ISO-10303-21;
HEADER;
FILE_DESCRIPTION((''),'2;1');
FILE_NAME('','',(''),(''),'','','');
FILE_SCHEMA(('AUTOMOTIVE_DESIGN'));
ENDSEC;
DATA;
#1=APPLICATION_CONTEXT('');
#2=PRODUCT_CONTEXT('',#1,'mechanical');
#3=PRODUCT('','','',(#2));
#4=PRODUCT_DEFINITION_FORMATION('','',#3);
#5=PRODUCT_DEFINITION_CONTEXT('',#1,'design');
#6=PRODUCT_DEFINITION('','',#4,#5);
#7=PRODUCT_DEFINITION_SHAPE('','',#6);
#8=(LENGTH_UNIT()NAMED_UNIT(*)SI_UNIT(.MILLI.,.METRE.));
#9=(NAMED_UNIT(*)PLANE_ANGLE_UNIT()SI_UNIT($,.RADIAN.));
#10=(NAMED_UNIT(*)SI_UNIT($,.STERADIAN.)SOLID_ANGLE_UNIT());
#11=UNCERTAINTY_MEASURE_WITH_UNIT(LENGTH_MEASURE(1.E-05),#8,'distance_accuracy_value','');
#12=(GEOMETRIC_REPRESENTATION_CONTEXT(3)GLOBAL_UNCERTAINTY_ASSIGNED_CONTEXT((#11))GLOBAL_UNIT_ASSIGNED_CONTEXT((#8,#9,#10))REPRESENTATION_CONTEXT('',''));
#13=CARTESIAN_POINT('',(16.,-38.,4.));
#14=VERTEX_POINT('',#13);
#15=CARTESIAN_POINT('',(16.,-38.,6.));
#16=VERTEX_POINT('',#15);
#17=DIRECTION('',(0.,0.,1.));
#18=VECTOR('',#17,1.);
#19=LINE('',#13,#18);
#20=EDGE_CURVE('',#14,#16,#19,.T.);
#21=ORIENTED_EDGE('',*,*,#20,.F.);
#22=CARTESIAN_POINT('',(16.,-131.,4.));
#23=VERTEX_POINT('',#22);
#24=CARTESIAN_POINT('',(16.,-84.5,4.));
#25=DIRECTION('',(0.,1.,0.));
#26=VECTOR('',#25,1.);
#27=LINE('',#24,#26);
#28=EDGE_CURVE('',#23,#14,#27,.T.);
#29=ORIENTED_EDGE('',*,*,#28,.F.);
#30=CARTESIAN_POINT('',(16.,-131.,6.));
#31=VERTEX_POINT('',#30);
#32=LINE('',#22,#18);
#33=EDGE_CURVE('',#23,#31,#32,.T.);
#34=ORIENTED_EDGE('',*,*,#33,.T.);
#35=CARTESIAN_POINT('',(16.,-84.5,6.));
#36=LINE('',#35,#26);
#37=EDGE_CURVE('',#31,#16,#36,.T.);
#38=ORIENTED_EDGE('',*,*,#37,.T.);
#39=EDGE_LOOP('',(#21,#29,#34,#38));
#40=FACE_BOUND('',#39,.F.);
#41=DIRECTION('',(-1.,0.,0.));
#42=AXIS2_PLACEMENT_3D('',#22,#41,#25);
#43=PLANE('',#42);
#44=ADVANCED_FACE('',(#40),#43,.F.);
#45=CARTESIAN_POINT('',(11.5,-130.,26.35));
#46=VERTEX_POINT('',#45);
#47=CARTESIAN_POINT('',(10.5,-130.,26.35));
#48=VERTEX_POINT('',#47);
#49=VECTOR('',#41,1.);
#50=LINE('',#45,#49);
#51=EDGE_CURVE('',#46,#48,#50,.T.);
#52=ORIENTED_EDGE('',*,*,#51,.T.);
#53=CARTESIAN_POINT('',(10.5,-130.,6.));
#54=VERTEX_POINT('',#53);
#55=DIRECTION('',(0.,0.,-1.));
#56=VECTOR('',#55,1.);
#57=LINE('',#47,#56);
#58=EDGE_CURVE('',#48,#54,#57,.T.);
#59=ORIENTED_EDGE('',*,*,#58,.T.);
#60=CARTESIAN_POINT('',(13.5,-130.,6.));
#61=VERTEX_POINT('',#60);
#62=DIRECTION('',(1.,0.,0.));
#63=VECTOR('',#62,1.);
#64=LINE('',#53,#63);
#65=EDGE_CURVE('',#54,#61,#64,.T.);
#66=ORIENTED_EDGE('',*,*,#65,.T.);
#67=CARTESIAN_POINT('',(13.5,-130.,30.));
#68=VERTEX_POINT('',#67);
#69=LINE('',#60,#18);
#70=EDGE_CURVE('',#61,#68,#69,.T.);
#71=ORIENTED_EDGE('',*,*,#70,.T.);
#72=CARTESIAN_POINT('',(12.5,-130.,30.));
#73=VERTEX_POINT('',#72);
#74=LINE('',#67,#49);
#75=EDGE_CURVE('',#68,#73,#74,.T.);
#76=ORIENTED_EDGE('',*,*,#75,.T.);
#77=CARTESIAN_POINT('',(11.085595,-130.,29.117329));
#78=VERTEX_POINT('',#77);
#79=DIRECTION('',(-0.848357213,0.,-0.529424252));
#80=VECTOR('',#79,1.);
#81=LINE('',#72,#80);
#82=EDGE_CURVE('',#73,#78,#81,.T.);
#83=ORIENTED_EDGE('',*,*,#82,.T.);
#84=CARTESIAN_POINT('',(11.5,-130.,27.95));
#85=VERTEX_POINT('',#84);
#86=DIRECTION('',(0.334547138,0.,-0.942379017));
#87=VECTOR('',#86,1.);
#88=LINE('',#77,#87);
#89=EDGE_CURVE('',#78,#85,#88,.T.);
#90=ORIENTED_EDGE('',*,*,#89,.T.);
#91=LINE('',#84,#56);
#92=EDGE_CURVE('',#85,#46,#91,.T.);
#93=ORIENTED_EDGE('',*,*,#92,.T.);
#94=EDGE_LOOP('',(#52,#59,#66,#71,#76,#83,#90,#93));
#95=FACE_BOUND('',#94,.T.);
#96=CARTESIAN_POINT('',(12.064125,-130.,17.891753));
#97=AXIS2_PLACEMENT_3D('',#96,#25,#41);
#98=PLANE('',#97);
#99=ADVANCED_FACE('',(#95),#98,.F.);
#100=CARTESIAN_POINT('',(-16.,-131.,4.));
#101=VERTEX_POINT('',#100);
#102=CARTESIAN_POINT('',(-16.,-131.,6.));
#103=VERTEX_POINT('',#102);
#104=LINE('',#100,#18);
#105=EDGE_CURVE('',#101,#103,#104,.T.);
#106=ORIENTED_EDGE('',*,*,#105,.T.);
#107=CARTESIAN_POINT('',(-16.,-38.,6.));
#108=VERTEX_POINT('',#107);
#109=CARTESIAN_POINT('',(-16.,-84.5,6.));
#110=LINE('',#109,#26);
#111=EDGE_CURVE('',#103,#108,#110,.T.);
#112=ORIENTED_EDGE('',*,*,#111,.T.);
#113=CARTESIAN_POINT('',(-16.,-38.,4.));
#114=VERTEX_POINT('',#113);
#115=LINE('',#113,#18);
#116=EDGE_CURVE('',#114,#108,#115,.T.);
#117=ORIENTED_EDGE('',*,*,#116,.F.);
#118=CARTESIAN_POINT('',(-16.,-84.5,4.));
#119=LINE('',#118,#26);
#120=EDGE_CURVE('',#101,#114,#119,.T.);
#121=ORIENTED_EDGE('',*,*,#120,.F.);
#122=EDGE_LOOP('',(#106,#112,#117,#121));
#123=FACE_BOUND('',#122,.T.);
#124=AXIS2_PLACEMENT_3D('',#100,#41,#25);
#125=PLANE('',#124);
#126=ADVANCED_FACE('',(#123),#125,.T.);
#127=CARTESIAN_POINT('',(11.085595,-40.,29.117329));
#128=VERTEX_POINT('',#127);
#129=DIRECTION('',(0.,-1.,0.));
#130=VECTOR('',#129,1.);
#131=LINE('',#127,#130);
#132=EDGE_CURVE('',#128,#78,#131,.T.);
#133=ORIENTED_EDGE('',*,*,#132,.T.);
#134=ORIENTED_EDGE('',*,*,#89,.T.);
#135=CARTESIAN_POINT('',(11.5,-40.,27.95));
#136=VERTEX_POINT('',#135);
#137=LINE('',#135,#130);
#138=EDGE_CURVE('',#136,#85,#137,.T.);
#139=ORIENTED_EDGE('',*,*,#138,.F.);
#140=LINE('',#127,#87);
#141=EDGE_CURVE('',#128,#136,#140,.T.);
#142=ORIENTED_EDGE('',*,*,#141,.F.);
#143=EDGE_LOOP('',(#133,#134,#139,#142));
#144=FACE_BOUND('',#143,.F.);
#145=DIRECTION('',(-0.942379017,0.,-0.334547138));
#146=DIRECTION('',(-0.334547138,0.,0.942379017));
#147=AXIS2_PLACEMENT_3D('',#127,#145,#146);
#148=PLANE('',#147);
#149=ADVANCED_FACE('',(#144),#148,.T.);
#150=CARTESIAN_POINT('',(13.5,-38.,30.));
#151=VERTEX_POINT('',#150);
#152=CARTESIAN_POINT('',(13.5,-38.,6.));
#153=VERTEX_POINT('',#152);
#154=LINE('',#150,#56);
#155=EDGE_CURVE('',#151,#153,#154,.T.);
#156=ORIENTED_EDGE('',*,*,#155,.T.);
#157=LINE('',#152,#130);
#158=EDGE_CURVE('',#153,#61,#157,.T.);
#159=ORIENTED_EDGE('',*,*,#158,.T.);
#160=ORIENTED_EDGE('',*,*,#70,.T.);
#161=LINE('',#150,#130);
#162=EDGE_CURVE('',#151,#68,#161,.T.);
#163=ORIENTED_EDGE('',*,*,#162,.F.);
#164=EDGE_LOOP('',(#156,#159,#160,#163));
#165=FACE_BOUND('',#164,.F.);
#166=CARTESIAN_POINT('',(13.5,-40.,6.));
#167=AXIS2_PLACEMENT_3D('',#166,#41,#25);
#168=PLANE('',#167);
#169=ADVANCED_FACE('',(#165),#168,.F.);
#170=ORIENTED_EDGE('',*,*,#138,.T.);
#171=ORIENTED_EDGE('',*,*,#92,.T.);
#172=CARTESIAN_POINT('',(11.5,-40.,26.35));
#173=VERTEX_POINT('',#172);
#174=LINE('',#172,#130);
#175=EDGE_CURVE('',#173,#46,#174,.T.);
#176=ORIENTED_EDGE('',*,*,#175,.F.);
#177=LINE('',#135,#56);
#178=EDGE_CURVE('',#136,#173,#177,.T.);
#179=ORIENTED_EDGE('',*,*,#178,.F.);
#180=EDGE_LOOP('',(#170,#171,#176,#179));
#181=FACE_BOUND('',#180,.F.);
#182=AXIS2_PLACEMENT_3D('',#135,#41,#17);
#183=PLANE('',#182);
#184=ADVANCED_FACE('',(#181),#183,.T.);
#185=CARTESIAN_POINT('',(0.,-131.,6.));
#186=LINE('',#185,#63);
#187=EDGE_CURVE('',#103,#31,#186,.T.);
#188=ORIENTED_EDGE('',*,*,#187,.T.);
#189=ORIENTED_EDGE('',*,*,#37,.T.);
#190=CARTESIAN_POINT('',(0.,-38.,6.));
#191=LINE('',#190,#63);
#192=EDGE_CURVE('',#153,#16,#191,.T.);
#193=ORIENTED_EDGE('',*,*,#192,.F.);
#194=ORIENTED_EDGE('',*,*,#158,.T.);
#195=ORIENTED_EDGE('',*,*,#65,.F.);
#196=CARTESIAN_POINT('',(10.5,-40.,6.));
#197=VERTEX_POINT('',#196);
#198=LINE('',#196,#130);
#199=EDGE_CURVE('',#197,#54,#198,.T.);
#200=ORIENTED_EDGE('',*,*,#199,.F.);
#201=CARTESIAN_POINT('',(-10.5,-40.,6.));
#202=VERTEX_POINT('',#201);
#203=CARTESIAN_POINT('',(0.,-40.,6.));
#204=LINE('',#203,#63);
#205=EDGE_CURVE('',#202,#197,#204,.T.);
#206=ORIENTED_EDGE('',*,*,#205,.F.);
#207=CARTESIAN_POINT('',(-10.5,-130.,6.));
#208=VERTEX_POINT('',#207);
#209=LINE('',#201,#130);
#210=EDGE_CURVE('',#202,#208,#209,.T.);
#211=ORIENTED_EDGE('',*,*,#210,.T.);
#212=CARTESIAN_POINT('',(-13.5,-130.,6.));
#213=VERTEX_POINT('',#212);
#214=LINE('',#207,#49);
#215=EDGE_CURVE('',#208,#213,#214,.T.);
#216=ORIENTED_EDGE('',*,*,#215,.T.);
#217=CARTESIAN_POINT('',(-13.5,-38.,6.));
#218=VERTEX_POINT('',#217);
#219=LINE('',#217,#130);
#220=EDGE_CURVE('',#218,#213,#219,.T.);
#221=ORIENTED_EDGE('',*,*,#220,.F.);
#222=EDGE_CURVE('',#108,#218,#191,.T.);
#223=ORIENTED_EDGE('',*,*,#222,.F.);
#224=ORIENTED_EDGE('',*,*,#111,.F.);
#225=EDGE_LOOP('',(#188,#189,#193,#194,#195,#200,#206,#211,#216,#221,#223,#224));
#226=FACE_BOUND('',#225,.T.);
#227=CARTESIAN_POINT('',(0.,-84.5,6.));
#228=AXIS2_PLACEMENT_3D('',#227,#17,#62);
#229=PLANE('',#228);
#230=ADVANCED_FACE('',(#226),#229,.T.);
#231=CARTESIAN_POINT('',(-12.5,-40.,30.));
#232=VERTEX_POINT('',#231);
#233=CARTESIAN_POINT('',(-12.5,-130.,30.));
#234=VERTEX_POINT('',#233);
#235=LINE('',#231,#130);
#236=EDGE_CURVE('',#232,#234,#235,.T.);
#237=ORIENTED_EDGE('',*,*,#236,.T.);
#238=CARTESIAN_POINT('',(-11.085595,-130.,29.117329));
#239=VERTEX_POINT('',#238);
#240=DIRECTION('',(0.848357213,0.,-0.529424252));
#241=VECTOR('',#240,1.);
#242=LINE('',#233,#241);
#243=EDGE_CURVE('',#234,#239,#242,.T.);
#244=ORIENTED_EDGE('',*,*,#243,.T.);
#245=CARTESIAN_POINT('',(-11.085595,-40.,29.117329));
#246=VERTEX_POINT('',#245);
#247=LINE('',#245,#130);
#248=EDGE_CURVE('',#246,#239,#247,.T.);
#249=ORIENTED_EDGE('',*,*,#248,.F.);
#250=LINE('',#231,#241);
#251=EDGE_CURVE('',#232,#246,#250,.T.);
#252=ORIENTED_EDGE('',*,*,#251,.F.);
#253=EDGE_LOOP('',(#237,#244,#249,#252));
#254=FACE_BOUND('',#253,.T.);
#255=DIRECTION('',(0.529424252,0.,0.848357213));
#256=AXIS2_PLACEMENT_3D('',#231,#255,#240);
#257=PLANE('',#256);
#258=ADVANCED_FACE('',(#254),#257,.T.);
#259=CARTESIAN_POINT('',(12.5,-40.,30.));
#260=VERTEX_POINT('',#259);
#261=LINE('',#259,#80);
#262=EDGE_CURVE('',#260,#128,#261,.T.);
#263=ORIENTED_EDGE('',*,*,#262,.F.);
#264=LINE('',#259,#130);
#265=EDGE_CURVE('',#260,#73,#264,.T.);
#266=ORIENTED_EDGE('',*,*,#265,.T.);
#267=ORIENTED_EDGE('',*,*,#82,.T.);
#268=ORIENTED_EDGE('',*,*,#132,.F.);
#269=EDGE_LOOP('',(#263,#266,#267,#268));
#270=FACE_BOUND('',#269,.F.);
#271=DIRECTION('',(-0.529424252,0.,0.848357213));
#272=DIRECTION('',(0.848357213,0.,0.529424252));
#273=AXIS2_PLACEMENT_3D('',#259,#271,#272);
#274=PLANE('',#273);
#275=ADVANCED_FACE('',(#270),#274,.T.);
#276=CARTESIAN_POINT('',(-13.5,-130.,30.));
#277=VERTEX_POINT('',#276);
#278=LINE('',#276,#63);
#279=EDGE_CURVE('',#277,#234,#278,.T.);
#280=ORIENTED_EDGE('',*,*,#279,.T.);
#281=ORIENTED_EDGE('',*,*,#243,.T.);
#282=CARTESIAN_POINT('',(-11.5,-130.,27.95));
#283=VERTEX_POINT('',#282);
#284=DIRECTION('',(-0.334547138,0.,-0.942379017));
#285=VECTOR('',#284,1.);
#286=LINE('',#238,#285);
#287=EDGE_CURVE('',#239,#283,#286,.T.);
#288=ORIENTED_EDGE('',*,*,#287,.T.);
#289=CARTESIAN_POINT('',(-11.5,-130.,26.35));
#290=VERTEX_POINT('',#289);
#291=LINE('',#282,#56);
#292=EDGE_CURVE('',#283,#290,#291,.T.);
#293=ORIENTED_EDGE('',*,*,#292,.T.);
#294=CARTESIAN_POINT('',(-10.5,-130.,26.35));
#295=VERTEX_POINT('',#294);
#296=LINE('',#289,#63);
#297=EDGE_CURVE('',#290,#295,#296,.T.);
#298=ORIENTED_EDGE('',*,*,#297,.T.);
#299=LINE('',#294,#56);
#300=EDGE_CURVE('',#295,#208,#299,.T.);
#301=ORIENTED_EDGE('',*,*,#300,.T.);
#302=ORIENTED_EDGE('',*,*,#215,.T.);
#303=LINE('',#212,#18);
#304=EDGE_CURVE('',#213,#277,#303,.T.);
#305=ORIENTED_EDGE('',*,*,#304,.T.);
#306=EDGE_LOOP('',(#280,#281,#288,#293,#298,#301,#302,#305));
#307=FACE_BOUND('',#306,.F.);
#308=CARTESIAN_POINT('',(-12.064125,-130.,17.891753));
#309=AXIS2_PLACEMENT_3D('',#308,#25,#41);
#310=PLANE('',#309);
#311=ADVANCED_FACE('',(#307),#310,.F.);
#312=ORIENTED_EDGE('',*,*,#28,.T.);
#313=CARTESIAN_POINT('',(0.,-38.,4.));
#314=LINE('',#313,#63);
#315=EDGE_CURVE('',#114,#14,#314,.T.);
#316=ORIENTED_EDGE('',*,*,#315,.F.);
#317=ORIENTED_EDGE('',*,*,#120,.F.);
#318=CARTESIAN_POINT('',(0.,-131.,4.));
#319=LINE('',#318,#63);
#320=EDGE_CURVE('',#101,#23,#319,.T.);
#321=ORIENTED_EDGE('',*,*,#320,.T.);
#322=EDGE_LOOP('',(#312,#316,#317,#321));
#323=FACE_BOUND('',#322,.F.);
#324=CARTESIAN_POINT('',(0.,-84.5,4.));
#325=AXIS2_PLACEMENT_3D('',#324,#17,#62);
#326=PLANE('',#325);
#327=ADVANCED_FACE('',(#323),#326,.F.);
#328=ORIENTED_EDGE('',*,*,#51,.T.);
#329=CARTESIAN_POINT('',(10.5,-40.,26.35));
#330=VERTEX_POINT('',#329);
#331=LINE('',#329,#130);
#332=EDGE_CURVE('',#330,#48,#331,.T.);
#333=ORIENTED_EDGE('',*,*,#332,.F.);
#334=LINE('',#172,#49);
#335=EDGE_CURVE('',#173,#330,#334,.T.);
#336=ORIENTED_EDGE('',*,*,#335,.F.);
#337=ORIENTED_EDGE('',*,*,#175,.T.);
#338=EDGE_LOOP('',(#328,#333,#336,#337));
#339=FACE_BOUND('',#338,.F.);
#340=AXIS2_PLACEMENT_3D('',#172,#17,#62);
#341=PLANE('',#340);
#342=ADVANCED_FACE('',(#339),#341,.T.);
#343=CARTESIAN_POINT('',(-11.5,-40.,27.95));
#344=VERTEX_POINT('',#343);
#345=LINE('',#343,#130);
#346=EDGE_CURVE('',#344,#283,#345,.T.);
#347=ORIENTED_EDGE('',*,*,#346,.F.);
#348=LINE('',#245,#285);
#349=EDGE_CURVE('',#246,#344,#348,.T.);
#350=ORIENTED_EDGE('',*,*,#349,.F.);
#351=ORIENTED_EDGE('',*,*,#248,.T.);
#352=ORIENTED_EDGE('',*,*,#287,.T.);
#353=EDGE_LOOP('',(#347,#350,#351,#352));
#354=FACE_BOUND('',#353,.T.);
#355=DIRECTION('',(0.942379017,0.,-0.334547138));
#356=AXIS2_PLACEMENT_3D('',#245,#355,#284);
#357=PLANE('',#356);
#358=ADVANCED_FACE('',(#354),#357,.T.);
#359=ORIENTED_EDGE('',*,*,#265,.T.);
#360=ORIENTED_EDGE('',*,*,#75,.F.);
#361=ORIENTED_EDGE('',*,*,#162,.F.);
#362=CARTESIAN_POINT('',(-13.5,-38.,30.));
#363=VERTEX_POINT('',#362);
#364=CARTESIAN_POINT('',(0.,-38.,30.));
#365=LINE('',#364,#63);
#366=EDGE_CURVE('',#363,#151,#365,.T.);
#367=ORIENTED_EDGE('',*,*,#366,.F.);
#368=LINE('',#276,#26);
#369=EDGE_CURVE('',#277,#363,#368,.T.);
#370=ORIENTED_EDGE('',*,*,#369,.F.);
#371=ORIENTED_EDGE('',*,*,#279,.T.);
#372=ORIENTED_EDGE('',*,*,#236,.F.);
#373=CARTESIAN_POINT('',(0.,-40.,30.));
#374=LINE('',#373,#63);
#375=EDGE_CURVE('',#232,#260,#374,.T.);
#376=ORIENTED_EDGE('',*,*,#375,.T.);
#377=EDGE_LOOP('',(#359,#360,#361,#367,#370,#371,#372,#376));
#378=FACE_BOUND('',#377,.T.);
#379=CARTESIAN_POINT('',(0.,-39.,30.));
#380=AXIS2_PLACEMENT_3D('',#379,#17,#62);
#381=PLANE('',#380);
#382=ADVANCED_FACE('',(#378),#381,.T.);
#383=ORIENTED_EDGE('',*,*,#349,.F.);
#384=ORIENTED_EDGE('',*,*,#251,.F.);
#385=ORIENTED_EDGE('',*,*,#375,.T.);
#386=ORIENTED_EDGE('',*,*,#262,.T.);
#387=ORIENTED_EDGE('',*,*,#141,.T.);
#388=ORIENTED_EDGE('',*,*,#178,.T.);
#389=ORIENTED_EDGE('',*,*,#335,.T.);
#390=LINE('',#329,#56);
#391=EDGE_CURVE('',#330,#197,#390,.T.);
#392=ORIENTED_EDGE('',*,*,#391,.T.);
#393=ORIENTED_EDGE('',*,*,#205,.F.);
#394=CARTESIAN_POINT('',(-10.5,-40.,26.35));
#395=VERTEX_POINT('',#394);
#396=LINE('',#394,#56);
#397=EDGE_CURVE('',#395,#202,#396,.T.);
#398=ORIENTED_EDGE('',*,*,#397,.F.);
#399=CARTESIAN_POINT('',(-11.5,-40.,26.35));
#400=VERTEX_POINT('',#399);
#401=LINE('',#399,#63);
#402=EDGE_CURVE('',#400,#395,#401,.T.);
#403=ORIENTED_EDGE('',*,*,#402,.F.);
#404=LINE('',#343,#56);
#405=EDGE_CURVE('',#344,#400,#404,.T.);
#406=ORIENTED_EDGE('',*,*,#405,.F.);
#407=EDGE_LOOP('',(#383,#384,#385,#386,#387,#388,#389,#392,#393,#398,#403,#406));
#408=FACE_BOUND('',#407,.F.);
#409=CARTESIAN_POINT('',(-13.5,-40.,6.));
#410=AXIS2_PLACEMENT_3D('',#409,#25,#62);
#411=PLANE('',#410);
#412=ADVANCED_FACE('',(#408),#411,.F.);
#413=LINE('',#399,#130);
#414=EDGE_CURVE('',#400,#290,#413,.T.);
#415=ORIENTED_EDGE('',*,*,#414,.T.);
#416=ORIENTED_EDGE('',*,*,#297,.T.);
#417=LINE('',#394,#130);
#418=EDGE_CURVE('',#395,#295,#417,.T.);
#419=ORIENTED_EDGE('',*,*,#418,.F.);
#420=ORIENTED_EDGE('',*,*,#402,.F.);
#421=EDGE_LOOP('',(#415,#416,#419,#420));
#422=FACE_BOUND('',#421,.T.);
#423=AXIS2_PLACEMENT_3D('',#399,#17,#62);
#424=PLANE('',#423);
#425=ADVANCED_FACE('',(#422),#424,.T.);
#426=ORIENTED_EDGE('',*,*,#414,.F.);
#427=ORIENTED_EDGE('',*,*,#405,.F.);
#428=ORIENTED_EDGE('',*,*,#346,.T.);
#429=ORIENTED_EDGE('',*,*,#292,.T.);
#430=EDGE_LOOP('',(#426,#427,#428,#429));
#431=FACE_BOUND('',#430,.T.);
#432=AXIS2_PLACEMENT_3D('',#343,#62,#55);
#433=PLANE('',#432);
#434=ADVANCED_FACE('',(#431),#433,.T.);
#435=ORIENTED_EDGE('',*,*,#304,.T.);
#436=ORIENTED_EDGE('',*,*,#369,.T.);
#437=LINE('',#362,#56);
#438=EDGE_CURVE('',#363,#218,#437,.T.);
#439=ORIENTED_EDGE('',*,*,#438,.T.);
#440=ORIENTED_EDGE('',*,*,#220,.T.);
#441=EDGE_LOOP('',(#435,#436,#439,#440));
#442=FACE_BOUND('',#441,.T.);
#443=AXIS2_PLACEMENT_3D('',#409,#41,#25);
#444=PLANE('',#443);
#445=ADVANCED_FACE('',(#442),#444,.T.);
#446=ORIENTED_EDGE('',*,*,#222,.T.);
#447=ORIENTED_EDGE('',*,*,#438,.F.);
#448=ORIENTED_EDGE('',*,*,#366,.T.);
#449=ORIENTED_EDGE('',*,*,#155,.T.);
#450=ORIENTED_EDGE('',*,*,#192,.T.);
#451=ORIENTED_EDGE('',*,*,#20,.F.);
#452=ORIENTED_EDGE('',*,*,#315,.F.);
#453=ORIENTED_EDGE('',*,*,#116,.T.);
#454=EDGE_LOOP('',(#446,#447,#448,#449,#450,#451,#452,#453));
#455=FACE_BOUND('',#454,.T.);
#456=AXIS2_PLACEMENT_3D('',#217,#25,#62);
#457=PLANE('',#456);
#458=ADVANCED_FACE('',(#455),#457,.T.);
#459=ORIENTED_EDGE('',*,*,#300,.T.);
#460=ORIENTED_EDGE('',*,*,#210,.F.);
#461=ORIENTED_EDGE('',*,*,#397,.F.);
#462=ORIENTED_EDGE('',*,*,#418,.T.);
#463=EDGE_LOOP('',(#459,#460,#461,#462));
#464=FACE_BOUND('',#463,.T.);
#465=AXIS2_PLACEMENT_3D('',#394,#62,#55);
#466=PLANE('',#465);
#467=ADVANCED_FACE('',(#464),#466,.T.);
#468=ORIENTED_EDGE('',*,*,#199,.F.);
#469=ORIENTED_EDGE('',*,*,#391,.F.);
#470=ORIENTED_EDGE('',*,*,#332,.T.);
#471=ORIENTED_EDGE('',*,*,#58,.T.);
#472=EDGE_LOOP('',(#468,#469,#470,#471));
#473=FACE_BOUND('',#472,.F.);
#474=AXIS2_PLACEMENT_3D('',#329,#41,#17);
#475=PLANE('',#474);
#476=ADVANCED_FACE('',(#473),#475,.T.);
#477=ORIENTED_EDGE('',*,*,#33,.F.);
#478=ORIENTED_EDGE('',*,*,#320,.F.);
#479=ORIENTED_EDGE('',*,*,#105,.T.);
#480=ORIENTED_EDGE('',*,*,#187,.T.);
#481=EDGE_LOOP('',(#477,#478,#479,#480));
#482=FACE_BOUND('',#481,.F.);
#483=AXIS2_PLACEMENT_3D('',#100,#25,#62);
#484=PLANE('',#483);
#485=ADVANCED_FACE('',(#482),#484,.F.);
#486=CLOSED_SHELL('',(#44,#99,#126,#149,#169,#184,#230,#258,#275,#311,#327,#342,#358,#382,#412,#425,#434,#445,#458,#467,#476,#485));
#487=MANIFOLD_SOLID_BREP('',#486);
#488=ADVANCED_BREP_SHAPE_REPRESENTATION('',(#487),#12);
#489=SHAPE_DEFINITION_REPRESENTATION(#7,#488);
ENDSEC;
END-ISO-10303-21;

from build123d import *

# Parameters (mm, degrees)
SKETCH010_W  = 32
SKETCH010_H  = 93
PAD008_DEPTH = 2
PAD009_DEPTH = 90
SKETCH012_W  = 27
SKETCH012_H  = 2
PAD010_DEPTH = 3
PAD011_DEPTH = 24


with BuildPart() as part:
    # Sketch010 → Pad008 (new body)
    with BuildSketch(Plane.XY):
        with Locations((0, -84.5)):
            Rectangle(SKETCH010_W, SKETCH010_H)
    extrude(amount=PAD008_DEPTH)

    # Sketch011 → Pad009 (join)
    with BuildSketch(Plane.XZ.offset(40)):
        Polygon((-13.5, 2), (-13.5, 26), (-12.5, 26), (-11.085595, 25.117329), (-11.5, 23.95), (-11.5, 22.35), (-10.5, 22.35), (-10.5, 2), align=None)
    pad009 = extrude(amount=PAD009_DEPTH)

    # Mirrored: Pad009 across Sketch011 V_Axis
    add(pad009.mirror(Plane(origin=(0, -40, 0), x_dir=(0, -1, 0), z_dir=(1, 0, 0))))

    # Sketch012 (on Face5 of Mirrored) → Pad010 (join)
    with BuildSketch(Plane.XY.offset(2)):
        with Locations((0, -39)):
            Rectangle(SKETCH012_W, SKETCH012_H)
    extrude(amount=PAD010_DEPTH)

    # Sketch012 (on Face5 of Mirrored) → Pad011 (join)
    with BuildSketch(Plane.XY.offset(2)):
        with Locations((0, -39)):
            Rectangle(SKETCH012_W, SKETCH012_H)
    extrude(amount=PAD011_DEPTH)


with BuildPart() as part_1:
    # Body006 placement: moved
    add(part.part.moved(Location((0, 0, 4))))


solid = part_1.part
